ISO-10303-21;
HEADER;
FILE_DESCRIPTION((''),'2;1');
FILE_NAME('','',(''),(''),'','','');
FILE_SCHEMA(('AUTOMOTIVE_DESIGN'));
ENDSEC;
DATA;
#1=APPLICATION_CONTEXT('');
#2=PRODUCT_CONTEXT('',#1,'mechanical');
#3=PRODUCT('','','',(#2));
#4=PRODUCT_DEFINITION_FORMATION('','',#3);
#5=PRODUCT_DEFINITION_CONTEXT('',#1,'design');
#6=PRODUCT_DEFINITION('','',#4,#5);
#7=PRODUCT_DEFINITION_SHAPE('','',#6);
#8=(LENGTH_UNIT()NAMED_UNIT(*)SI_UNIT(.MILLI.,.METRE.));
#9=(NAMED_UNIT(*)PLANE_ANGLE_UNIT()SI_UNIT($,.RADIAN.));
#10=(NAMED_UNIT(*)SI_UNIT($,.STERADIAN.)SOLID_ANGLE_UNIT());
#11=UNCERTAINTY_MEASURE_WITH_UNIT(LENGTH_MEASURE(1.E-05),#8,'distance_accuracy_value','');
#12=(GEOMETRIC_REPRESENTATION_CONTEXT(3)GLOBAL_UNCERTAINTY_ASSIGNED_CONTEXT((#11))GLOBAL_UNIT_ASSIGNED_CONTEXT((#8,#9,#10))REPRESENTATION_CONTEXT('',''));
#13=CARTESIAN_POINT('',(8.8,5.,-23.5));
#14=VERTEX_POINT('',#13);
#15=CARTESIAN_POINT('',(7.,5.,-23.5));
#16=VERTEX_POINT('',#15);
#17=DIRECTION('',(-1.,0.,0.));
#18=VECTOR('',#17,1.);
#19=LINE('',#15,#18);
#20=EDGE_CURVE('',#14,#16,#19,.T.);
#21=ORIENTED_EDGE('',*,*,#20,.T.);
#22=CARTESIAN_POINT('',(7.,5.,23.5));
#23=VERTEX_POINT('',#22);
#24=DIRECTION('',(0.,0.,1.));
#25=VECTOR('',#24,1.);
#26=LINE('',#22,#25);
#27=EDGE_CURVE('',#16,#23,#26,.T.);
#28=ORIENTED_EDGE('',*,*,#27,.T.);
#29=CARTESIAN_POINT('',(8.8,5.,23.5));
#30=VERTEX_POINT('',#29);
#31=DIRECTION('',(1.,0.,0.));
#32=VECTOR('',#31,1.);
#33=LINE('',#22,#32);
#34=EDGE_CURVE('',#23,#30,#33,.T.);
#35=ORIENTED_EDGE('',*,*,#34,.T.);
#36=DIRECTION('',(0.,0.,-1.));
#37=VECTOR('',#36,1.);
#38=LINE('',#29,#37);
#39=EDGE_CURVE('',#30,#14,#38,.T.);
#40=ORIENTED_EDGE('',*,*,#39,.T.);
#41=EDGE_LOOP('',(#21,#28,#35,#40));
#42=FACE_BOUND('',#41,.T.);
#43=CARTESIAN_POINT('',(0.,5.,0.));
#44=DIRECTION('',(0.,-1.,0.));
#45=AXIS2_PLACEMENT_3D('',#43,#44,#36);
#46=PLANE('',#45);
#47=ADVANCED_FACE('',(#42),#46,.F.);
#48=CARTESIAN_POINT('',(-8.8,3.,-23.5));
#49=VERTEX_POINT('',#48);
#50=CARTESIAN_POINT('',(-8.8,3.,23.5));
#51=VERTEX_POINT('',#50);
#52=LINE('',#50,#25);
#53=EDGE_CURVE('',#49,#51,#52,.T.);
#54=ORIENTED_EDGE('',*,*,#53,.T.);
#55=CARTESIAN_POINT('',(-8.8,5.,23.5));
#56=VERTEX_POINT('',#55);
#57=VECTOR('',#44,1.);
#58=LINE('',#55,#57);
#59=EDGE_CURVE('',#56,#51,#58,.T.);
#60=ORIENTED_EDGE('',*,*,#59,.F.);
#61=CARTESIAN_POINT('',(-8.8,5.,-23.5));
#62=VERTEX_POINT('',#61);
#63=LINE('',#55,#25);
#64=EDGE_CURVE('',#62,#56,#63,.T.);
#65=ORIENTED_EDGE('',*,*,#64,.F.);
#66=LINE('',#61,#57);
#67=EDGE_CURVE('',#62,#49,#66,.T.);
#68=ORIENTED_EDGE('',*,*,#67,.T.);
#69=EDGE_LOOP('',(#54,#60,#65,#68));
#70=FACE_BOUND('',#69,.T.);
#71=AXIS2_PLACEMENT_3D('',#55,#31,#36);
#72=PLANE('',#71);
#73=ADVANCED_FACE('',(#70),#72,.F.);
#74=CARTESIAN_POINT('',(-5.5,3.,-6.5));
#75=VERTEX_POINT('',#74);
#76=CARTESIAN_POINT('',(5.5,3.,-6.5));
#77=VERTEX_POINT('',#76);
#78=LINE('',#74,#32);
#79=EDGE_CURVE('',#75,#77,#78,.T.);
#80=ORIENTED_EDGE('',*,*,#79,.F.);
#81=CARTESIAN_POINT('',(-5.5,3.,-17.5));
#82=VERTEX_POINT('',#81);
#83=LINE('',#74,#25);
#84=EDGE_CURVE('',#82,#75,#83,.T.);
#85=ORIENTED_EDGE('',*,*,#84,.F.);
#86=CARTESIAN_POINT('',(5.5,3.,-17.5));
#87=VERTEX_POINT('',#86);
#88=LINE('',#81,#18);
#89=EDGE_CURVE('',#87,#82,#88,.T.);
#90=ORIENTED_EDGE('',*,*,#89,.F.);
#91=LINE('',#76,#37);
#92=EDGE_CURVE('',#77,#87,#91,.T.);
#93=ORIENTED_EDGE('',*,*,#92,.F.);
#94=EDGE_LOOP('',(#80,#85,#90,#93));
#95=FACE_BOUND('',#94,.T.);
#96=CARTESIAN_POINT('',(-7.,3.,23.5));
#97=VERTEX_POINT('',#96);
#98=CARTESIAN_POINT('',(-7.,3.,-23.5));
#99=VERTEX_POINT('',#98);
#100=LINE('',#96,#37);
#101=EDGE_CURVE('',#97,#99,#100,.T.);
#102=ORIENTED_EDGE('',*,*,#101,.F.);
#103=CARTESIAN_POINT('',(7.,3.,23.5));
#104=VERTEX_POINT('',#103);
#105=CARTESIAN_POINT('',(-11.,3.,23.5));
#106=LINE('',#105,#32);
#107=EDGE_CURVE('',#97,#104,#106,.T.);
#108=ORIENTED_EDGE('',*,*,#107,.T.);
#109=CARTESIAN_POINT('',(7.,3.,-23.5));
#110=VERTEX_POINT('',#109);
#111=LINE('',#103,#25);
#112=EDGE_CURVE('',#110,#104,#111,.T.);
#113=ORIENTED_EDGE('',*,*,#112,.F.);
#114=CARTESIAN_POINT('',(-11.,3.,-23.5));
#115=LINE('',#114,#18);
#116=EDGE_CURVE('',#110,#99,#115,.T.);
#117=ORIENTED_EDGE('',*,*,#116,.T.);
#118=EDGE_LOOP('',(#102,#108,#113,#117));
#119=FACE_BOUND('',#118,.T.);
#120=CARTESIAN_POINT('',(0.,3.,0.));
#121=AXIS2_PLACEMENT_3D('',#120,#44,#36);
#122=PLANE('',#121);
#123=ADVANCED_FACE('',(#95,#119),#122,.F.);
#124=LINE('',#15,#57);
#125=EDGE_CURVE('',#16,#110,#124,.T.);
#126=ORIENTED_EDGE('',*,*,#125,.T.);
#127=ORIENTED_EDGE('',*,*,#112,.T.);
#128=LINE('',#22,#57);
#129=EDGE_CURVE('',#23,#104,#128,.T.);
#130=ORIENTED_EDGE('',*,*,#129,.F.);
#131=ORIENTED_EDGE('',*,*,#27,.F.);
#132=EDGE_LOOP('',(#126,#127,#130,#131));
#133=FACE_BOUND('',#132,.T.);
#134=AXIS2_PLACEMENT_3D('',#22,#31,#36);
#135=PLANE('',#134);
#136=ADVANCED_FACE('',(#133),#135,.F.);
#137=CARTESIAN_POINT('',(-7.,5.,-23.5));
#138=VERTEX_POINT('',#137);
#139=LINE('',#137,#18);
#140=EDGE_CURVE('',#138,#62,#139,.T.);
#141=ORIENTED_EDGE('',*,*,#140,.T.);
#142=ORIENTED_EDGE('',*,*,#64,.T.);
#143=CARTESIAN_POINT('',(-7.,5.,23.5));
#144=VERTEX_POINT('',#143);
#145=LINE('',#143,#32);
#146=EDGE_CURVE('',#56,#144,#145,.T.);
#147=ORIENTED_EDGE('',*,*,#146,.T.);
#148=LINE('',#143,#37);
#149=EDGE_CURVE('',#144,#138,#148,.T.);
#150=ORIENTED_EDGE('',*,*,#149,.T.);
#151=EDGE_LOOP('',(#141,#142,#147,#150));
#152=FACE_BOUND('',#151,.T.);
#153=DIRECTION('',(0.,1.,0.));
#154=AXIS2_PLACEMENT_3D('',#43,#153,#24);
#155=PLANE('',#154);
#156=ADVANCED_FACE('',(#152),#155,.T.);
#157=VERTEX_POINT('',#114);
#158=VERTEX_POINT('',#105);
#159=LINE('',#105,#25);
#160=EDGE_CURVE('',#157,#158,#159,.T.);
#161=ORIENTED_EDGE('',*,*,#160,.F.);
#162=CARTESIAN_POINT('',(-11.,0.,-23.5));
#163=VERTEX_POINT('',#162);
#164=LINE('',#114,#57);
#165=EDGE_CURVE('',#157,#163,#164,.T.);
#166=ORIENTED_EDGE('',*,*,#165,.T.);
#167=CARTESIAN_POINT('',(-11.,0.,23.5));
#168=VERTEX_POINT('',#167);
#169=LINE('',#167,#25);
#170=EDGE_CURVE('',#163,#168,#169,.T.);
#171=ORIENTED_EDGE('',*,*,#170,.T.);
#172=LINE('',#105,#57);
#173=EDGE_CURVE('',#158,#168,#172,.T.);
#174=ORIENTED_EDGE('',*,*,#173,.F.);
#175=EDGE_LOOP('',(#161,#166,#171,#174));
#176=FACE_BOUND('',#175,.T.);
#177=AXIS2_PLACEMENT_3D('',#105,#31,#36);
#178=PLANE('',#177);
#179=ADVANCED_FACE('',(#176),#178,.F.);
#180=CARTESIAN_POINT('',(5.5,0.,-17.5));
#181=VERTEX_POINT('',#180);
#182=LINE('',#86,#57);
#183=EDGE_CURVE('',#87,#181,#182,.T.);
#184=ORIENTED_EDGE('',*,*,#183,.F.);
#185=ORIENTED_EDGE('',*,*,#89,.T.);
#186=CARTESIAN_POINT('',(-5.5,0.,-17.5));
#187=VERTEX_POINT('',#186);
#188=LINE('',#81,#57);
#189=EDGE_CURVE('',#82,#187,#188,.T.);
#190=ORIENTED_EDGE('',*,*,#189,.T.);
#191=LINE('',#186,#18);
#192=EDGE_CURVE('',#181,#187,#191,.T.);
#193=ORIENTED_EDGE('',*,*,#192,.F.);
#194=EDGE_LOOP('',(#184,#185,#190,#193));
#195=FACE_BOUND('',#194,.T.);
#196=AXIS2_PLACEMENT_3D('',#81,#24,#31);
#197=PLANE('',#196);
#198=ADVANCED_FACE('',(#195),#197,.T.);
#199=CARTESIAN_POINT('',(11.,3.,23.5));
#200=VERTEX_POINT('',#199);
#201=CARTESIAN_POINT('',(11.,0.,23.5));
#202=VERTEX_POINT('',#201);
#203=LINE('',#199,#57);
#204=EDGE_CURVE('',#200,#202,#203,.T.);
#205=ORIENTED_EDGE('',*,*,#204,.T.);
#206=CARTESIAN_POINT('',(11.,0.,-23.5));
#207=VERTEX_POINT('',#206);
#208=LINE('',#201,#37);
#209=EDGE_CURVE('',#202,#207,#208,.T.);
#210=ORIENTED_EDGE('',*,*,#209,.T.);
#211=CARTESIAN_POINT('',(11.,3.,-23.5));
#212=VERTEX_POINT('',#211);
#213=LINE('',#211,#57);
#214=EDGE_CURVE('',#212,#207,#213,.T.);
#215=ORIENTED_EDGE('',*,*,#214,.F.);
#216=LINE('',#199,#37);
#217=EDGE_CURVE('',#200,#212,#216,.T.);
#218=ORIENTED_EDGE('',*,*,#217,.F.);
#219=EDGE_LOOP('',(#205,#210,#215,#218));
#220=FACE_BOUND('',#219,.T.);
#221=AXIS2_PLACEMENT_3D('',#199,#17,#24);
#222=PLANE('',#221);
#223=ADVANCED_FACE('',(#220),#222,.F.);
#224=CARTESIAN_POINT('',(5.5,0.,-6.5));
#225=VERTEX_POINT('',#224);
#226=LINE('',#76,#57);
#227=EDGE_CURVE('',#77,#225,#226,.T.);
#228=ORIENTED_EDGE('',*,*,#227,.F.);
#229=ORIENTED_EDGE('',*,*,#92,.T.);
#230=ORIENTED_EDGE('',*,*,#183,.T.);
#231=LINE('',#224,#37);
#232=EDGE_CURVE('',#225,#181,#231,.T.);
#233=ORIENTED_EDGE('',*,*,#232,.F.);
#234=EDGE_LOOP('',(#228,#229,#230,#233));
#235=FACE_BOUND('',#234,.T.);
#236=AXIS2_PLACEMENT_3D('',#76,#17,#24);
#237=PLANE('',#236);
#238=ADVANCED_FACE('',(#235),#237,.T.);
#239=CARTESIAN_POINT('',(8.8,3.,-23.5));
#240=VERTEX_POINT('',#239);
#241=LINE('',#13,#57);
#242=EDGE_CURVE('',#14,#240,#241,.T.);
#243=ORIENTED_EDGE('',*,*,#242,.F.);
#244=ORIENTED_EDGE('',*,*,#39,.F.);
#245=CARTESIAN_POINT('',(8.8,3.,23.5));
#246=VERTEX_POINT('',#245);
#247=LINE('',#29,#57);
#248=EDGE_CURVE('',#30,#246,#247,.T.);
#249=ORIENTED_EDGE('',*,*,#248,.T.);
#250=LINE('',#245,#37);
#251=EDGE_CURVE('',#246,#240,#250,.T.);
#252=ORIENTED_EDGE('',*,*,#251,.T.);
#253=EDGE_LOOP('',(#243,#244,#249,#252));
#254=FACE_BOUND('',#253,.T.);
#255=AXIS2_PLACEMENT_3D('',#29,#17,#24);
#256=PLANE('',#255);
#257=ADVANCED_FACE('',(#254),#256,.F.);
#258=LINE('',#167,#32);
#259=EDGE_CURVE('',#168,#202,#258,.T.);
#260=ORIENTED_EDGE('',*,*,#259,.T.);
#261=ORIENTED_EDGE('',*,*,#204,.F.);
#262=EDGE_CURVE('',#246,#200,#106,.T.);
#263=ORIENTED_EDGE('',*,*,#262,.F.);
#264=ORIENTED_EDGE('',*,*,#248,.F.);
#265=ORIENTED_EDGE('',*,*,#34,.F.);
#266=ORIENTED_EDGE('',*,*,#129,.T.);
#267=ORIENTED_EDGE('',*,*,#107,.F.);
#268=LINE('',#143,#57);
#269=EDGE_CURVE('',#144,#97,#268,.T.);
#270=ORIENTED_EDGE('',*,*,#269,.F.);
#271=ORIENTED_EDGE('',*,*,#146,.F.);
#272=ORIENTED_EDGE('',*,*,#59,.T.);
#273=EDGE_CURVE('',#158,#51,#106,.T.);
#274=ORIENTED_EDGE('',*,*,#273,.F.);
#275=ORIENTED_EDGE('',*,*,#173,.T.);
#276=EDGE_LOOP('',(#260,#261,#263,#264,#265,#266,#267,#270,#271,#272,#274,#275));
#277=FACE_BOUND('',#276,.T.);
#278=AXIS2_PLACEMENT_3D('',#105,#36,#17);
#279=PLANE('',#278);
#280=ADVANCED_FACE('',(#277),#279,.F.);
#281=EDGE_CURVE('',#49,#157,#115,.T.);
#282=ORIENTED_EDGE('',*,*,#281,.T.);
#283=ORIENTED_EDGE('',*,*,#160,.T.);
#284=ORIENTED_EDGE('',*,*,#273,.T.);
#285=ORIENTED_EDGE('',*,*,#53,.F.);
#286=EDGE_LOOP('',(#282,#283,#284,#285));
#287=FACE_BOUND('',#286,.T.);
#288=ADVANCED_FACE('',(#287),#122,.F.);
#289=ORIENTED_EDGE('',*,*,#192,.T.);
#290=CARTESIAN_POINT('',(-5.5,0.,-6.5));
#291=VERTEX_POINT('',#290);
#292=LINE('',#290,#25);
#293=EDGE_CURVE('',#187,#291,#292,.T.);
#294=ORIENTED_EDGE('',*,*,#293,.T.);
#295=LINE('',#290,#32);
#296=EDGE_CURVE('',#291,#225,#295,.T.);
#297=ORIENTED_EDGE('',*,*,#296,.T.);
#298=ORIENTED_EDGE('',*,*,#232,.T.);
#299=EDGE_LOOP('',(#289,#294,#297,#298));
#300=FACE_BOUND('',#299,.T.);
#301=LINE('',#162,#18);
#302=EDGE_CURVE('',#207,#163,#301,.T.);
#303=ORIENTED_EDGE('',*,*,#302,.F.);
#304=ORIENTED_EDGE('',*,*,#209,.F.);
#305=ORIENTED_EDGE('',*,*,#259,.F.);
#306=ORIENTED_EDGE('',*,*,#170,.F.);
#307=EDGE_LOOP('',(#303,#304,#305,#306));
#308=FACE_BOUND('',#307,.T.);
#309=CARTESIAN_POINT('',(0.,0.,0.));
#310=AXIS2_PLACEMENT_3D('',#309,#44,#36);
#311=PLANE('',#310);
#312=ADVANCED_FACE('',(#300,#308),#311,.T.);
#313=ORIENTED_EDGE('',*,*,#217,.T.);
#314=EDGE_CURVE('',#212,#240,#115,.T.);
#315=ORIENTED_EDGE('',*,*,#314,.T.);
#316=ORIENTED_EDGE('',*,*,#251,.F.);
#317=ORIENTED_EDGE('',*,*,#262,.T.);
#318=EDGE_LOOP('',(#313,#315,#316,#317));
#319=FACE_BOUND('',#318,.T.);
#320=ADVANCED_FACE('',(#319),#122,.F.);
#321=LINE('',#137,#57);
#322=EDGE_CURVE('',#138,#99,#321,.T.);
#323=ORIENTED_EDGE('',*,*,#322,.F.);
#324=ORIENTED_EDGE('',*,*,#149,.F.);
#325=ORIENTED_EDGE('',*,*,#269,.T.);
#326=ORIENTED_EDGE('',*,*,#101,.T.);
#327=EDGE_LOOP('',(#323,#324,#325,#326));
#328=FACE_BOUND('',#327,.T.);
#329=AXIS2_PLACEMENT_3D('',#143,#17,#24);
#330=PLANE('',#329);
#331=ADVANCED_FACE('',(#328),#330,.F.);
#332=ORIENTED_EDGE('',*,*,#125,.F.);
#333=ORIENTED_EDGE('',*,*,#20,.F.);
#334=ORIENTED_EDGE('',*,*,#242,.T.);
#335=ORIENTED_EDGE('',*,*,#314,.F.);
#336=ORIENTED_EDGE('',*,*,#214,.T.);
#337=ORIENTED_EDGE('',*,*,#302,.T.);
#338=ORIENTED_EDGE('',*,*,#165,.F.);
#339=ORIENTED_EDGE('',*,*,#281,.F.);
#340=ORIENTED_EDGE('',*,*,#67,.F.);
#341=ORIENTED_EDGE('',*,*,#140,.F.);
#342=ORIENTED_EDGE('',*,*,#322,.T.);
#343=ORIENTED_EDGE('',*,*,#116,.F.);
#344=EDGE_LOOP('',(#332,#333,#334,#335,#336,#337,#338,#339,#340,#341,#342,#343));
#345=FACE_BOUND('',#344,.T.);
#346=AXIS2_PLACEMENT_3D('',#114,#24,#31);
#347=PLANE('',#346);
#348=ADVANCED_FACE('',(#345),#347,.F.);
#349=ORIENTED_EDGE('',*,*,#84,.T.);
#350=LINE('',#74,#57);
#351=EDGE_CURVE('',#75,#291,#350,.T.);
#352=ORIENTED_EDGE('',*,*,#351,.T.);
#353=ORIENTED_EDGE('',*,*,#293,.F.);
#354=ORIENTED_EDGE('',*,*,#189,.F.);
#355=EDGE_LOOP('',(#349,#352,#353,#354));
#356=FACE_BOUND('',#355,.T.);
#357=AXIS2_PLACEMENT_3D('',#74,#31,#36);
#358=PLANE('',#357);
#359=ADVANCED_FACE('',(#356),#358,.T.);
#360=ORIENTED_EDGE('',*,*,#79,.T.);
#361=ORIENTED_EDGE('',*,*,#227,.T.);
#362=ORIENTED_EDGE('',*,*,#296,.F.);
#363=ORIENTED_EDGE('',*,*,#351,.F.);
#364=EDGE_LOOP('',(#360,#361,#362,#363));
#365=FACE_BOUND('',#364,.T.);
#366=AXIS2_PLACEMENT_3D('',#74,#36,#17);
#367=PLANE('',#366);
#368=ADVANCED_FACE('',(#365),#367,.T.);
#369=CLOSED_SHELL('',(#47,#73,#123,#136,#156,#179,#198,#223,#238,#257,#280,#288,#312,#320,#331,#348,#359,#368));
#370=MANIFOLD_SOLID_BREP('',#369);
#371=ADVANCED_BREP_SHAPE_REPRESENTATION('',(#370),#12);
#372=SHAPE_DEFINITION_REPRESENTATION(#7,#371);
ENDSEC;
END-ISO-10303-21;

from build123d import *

# Parameters (mm, degrees)
SKETCH1_W           = 22
SKETCH1_H           = 47
SKETCH1_W_2         = 11
SKETCH1_H_2         = 11
BOSS_EXTRUDE_DEPTH  = 3
SKETCH5_W           = 1.8
SKETCH5_H           = 47
BOSS_EXTRUDE1_DEPTH = 2


with BuildPart() as part:
    # Sketch1 → Boss-Extrude (new body)
    with BuildSketch(Plane(origin=(0, 0, 0), x_dir=(1, 0, 0), z_dir=(0, 1, 0))):
        Rectangle(SKETCH1_W, SKETCH1_H)
        with Locations((0, 12)):
            Rectangle(SKETCH1_W_2, SKETCH1_H_2, mode=Mode.SUBTRACT)
    extrude(amount=BOSS_EXTRUDE_DEPTH)

    # Sketch5 → Boss-Extrude1 (add)
    with BuildSketch(Plane(origin=(0, 3, 0), x_dir=(1, 0, 0), z_dir=(0, 1, 0))):
        with Locations((-7.9, 0)):
            Rectangle(SKETCH5_W, SKETCH5_H)
        with Locations((7.9, 0)):
            Rectangle(SKETCH5_W, SKETCH5_H)
    extrude(amount=BOSS_EXTRUDE1_DEPTH)


solid = part.part
